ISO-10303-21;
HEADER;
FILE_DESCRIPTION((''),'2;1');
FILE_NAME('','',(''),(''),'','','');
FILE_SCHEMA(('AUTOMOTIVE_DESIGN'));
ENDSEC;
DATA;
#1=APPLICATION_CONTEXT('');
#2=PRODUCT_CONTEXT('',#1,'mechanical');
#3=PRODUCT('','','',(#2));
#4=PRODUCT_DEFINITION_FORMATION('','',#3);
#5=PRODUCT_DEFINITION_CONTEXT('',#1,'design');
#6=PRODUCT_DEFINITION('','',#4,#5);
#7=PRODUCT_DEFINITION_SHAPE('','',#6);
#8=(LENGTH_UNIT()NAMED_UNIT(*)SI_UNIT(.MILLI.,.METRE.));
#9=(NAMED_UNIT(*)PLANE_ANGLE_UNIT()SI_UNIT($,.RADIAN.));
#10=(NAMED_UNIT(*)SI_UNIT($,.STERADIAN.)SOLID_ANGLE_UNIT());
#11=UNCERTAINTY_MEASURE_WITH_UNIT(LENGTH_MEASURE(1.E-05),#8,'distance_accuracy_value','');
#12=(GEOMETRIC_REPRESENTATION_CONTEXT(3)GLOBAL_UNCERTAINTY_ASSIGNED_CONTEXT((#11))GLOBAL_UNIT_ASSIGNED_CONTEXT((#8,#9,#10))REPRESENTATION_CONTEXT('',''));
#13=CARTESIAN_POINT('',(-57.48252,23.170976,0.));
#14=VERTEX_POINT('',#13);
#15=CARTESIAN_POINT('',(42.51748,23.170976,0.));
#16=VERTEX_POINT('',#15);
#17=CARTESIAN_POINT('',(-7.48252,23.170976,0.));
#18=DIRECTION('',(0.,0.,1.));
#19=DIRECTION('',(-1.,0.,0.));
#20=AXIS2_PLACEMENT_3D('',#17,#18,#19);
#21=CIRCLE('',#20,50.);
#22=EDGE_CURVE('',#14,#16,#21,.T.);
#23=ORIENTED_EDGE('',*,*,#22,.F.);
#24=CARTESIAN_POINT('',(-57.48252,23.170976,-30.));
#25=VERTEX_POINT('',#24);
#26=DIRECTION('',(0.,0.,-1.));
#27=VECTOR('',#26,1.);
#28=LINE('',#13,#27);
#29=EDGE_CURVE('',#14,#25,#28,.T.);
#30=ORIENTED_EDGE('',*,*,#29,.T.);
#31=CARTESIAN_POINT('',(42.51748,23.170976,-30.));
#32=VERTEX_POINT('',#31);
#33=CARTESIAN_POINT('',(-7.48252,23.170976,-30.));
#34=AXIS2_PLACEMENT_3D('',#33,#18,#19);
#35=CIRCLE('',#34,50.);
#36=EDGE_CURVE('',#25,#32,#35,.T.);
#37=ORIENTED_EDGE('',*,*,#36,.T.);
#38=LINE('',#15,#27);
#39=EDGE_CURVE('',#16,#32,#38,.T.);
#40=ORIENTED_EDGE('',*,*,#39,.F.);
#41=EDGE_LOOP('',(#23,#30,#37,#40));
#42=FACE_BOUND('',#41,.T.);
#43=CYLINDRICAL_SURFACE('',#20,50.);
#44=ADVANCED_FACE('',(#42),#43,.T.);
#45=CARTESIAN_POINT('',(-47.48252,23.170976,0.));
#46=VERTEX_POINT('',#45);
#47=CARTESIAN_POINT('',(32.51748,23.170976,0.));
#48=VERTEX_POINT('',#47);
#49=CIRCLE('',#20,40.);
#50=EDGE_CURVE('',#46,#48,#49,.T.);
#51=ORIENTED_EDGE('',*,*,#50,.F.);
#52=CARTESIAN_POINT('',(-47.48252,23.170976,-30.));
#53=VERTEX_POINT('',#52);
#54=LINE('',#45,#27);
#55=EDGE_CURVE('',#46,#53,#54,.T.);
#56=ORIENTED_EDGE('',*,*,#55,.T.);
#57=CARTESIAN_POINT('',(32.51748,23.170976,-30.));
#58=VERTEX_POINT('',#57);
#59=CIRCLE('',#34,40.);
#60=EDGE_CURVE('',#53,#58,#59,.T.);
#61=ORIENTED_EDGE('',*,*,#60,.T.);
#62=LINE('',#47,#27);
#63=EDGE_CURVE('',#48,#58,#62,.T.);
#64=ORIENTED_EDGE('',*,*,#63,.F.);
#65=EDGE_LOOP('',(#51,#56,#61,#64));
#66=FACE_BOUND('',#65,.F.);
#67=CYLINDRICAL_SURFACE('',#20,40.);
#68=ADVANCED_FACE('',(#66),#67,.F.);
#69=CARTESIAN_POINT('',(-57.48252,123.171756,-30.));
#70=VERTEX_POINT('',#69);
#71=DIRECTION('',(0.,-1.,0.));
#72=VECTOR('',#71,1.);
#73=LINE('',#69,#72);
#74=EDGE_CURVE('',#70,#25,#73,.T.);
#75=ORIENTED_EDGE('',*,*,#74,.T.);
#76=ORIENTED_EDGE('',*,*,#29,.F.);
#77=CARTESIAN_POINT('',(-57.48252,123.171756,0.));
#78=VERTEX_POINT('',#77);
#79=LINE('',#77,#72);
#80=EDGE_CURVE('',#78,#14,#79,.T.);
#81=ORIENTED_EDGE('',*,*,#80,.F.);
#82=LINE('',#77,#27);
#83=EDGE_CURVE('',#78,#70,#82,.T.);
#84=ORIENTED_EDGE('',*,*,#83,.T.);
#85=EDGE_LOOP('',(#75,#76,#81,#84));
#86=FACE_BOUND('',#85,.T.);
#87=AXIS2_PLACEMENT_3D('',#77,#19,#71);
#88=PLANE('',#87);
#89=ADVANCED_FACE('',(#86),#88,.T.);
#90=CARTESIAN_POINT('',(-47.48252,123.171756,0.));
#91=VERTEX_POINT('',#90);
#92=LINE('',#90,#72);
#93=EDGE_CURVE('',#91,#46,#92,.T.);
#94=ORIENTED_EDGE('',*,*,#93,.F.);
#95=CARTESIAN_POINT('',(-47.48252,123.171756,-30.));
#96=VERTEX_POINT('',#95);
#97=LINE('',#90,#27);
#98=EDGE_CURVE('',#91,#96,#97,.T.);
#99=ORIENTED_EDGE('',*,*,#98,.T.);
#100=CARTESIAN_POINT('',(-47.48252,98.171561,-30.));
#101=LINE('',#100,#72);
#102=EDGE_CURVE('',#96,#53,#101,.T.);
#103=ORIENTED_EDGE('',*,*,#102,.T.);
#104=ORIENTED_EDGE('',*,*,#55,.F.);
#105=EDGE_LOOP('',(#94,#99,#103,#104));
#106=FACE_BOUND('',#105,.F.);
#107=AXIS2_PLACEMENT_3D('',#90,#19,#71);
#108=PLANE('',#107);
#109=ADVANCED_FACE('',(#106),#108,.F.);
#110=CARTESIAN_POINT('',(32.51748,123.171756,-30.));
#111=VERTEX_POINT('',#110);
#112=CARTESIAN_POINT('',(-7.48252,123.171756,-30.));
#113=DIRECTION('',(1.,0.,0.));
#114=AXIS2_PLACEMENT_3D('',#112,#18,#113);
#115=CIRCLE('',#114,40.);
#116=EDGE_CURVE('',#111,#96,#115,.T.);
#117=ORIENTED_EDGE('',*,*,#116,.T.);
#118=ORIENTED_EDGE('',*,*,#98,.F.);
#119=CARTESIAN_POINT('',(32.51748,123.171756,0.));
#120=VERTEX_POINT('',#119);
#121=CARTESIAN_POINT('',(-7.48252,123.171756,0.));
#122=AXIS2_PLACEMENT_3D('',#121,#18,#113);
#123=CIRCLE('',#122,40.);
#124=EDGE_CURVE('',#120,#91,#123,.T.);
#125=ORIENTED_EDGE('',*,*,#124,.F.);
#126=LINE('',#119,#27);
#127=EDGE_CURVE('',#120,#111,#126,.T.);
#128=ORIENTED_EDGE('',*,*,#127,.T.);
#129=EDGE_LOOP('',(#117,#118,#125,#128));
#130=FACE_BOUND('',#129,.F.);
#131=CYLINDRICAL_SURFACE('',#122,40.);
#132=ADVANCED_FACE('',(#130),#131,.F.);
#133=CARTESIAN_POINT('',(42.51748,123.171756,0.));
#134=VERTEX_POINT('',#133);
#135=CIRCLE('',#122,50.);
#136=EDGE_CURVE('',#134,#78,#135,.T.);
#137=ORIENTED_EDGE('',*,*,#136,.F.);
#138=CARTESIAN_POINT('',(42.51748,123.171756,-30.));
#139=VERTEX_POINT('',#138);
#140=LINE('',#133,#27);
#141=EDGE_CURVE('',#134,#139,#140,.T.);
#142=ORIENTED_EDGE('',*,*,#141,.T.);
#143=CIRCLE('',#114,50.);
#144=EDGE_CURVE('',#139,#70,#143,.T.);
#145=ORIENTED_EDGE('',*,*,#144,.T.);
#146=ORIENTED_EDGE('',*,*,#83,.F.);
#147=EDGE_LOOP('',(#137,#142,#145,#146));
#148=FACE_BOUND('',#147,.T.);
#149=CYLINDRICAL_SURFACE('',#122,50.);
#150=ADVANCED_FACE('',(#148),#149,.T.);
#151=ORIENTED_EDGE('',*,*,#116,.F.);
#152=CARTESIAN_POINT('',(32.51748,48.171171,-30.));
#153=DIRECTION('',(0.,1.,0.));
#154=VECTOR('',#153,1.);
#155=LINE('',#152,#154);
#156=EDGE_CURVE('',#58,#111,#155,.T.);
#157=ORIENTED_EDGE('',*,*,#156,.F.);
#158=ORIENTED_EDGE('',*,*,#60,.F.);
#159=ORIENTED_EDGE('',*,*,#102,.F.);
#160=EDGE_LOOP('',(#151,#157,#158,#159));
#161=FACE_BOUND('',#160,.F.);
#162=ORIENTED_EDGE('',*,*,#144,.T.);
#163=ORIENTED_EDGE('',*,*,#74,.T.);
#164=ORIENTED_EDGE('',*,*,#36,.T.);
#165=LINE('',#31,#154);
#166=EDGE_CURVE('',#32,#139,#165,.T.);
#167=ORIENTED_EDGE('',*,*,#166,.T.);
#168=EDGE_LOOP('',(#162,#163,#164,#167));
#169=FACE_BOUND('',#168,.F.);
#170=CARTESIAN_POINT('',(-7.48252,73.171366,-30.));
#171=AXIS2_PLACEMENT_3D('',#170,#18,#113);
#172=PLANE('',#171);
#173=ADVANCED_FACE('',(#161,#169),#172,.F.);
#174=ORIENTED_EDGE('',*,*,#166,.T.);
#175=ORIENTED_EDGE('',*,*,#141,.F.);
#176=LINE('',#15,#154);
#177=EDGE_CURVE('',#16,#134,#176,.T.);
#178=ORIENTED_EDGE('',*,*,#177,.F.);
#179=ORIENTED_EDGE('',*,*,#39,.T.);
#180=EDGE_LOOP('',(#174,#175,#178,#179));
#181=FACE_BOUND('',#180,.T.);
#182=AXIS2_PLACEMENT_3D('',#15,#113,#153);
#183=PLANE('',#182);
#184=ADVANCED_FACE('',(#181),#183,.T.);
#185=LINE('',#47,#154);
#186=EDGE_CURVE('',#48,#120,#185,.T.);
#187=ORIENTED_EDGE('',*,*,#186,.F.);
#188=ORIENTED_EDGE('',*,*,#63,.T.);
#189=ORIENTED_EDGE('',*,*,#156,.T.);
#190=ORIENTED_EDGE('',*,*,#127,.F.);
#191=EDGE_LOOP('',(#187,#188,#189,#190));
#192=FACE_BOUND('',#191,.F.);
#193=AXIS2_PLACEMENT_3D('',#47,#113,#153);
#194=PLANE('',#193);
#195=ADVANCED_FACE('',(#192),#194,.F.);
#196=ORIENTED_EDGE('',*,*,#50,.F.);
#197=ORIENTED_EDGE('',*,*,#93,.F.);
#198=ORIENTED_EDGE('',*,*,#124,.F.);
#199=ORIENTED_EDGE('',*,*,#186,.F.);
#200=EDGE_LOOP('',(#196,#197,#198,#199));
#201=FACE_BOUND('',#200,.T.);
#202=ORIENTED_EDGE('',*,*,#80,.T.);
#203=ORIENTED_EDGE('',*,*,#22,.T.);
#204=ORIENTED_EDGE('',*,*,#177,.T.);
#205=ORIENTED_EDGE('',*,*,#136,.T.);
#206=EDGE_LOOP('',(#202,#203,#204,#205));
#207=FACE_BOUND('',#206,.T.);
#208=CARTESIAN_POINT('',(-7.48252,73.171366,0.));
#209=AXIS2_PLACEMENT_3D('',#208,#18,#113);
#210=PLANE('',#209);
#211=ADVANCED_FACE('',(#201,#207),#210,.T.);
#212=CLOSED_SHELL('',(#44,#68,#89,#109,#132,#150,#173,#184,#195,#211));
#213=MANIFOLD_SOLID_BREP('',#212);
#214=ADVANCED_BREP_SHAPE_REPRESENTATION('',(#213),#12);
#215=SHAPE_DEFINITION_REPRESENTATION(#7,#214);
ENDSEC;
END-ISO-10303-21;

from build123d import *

# Parameters (mm, degrees)
F1_DEPTH = 30
F3_DEPTH = 30.001


with BuildPart() as f1:
    # F0 (on Top) → F1 (new body)
    with BuildSketch(Plane.XY):
        with BuildLine():
            Line((42.51748, 23.170976), (42.51748, 123.171756))
            ThreePointArc((42.51748, 123.171756), (-7.48252, 173.171756), (-57.48252, 123.171756))
            Line((-57.48252, 123.171756), (-57.48252, 23.170976))
            ThreePointArc((-57.48252, 23.170976), (-7.48252, -26.829024), (42.51748, 23.170976))
        make_face()
    extrude(amount=-F1_DEPTH)

    # F2 (on face) → F3 (cut, through all)
    with BuildSketch(Plane.XY):
        with BuildLine():
            ThreePointArc((-47.48252, 23.170976), (-7.48252, -16.829024), (32.51748, 23.170976))
            Line((32.51748, 23.170976), (32.51748, 123.171756))
            ThreePointArc((32.51748, 123.171756), (-7.48252, 163.171756), (-47.48252, 123.171756))
            Line((-47.48252, 123.171756), (-47.48252, 23.170976))
        make_face()
    extrude(amount=-F3_DEPTH, mode=Mode.SUBTRACT)


solid = f1.part
